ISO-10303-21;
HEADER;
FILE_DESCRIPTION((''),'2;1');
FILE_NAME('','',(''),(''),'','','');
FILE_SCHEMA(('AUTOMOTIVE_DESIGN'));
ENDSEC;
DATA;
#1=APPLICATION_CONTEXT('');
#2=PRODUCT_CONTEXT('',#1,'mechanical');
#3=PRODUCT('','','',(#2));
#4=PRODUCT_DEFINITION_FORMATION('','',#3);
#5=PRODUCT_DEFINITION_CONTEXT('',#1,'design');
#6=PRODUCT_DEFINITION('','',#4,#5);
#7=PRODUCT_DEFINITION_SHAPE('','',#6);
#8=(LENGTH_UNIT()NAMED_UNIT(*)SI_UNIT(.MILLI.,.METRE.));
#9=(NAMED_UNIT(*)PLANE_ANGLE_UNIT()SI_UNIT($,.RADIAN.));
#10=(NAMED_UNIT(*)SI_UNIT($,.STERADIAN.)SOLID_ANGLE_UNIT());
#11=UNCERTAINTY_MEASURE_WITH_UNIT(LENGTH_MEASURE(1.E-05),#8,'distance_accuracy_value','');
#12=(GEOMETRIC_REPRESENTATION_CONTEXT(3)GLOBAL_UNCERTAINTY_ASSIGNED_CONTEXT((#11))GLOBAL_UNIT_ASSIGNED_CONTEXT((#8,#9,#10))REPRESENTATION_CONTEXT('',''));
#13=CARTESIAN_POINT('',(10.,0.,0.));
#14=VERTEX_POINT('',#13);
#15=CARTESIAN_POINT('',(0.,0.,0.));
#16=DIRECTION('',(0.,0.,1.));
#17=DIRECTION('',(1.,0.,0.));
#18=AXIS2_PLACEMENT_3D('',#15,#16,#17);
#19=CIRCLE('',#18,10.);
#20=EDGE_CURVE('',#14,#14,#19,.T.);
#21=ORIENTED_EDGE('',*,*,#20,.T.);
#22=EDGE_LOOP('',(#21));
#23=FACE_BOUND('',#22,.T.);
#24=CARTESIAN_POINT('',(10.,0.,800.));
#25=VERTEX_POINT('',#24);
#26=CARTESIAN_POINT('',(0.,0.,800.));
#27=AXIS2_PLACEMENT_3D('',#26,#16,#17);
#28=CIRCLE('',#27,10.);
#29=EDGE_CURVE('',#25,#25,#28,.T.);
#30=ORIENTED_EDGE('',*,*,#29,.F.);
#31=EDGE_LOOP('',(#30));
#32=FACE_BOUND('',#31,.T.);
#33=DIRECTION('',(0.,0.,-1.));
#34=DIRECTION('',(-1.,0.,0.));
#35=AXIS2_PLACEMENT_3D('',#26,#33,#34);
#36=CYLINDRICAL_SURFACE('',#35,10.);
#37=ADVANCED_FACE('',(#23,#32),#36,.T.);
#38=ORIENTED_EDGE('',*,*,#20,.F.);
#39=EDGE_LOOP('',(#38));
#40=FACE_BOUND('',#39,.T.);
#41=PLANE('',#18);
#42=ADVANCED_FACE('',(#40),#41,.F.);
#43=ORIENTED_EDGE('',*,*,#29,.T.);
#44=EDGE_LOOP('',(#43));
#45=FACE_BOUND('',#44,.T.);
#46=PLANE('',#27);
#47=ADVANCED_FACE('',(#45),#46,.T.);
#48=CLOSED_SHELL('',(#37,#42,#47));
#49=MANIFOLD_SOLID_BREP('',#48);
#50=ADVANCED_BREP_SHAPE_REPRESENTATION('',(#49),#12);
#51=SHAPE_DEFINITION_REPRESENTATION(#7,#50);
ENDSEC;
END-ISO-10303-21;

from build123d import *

# Parameters (mm, degrees)
SKETCH1_R           = 10
BOSS_EXTRUDE1_DEPTH = 800


with BuildPart() as part:
    # Sketch1 → Boss-Extrude1 (new body)
    with BuildSketch(Plane.XY):
        Circle(SKETCH1_R)
    extrude(amount=BOSS_EXTRUDE1_DEPTH)


solid = part.part
